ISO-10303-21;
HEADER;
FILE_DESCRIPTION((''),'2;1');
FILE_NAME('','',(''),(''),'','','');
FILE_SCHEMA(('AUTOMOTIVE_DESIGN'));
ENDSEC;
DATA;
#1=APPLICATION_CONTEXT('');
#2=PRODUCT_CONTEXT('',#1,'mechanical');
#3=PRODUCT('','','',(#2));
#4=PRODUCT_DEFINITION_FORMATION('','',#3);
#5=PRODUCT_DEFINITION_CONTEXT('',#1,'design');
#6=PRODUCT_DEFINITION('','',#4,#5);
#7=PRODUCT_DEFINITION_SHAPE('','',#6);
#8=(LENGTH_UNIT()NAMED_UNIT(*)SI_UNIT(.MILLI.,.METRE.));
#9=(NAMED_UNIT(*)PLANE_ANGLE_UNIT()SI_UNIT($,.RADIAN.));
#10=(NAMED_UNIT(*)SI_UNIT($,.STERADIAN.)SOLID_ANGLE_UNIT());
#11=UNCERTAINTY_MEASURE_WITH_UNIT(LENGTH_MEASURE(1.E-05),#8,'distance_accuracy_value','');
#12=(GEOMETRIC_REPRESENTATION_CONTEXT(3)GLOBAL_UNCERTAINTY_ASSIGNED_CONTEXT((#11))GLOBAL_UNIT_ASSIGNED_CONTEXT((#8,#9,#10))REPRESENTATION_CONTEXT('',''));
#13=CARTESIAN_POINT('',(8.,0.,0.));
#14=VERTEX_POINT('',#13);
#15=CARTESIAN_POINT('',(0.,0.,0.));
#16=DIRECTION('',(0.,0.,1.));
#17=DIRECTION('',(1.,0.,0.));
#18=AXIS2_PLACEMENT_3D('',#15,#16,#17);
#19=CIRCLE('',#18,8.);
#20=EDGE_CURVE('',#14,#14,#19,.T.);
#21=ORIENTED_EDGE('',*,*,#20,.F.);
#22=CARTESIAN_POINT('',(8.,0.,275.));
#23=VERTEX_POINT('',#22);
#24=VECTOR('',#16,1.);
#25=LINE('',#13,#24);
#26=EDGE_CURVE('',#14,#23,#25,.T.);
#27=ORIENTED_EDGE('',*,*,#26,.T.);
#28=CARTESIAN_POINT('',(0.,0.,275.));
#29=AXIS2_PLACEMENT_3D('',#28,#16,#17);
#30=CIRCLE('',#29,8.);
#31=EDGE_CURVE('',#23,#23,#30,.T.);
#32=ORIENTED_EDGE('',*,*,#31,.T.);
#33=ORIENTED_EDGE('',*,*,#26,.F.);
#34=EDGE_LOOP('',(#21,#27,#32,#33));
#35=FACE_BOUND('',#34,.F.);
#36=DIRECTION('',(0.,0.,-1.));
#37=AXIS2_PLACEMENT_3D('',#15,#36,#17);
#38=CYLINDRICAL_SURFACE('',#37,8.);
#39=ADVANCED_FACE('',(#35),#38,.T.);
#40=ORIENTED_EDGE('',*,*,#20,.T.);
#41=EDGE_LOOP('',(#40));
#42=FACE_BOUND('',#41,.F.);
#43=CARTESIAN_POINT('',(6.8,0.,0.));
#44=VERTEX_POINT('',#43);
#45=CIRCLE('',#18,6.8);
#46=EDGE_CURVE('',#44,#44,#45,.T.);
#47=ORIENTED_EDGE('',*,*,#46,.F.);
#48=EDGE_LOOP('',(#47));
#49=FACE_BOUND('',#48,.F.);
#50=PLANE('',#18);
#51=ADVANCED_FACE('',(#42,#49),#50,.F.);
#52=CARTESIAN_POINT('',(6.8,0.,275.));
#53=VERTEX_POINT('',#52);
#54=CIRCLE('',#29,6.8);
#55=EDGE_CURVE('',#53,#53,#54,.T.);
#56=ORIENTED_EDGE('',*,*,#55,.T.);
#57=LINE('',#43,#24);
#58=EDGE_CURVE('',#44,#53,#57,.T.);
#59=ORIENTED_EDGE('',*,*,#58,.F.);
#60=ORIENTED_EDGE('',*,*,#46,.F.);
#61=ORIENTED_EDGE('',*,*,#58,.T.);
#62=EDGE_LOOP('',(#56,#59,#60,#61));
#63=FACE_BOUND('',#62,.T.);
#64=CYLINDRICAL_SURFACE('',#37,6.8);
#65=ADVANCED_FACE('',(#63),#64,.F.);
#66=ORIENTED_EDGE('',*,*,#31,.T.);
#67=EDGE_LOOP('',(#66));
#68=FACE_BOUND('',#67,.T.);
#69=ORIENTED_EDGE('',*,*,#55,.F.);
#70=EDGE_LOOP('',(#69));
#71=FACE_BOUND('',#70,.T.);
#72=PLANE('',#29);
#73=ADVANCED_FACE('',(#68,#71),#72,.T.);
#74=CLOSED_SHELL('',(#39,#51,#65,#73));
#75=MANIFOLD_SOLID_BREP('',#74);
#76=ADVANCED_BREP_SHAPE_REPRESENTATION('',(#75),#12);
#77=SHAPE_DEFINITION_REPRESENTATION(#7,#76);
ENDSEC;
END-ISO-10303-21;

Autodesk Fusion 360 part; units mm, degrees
sketch "Sketch1" plane through (0, 0, 0) normal (0, 0, 1) x (1, 0, 0)
  circle A0 centre (0, 0) radius 6.8
  circle A1 centre (0, 0) radius 8
  dimension "d1" = 13.6
  dimension "d2" = 16
extrude "Extrude1" add sketch "Sketch1" along normal blind 275
